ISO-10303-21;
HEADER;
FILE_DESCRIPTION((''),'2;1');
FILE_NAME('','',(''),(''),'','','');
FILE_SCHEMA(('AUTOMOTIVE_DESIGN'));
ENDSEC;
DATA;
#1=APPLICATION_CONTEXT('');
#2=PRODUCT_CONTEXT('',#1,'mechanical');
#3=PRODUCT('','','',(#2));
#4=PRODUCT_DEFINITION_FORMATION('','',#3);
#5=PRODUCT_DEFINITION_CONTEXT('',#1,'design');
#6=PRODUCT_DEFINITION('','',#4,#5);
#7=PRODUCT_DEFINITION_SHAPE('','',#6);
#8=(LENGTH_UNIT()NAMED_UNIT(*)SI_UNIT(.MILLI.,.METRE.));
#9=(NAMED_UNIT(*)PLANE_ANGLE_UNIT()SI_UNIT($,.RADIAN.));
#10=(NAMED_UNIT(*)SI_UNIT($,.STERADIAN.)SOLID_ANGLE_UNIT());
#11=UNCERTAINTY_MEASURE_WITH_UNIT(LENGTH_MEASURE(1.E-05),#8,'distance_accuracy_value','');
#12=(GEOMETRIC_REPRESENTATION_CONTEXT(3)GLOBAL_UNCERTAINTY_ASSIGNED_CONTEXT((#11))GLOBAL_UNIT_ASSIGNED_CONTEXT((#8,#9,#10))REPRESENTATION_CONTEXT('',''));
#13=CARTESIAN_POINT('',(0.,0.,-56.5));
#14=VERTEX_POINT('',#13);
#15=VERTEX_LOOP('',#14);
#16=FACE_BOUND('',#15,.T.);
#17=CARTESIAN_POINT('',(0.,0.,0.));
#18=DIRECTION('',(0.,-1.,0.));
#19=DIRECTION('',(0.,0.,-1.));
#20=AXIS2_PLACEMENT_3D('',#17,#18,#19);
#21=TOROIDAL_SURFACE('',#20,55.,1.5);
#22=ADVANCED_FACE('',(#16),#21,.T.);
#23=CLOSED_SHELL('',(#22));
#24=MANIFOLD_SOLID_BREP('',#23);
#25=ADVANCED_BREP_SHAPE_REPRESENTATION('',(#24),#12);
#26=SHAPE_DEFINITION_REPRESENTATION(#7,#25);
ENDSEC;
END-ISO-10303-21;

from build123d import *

# Parameters (mm, degrees)
SKETCH1_R = 1.5


with BuildPart() as part:
    # Sketch1 → Revolve1 (revolve)
    with BuildSketch(Plane(origin=(0, 0, 0), x_dir=(0, 0, -1), z_dir=(1, 0, 0))):
        with Locations((-55, 0)):
            Circle(SKETCH1_R)
    revolve(axis=Axis((0, 0, 0), (0, 1, 0)))


solid = part.part
